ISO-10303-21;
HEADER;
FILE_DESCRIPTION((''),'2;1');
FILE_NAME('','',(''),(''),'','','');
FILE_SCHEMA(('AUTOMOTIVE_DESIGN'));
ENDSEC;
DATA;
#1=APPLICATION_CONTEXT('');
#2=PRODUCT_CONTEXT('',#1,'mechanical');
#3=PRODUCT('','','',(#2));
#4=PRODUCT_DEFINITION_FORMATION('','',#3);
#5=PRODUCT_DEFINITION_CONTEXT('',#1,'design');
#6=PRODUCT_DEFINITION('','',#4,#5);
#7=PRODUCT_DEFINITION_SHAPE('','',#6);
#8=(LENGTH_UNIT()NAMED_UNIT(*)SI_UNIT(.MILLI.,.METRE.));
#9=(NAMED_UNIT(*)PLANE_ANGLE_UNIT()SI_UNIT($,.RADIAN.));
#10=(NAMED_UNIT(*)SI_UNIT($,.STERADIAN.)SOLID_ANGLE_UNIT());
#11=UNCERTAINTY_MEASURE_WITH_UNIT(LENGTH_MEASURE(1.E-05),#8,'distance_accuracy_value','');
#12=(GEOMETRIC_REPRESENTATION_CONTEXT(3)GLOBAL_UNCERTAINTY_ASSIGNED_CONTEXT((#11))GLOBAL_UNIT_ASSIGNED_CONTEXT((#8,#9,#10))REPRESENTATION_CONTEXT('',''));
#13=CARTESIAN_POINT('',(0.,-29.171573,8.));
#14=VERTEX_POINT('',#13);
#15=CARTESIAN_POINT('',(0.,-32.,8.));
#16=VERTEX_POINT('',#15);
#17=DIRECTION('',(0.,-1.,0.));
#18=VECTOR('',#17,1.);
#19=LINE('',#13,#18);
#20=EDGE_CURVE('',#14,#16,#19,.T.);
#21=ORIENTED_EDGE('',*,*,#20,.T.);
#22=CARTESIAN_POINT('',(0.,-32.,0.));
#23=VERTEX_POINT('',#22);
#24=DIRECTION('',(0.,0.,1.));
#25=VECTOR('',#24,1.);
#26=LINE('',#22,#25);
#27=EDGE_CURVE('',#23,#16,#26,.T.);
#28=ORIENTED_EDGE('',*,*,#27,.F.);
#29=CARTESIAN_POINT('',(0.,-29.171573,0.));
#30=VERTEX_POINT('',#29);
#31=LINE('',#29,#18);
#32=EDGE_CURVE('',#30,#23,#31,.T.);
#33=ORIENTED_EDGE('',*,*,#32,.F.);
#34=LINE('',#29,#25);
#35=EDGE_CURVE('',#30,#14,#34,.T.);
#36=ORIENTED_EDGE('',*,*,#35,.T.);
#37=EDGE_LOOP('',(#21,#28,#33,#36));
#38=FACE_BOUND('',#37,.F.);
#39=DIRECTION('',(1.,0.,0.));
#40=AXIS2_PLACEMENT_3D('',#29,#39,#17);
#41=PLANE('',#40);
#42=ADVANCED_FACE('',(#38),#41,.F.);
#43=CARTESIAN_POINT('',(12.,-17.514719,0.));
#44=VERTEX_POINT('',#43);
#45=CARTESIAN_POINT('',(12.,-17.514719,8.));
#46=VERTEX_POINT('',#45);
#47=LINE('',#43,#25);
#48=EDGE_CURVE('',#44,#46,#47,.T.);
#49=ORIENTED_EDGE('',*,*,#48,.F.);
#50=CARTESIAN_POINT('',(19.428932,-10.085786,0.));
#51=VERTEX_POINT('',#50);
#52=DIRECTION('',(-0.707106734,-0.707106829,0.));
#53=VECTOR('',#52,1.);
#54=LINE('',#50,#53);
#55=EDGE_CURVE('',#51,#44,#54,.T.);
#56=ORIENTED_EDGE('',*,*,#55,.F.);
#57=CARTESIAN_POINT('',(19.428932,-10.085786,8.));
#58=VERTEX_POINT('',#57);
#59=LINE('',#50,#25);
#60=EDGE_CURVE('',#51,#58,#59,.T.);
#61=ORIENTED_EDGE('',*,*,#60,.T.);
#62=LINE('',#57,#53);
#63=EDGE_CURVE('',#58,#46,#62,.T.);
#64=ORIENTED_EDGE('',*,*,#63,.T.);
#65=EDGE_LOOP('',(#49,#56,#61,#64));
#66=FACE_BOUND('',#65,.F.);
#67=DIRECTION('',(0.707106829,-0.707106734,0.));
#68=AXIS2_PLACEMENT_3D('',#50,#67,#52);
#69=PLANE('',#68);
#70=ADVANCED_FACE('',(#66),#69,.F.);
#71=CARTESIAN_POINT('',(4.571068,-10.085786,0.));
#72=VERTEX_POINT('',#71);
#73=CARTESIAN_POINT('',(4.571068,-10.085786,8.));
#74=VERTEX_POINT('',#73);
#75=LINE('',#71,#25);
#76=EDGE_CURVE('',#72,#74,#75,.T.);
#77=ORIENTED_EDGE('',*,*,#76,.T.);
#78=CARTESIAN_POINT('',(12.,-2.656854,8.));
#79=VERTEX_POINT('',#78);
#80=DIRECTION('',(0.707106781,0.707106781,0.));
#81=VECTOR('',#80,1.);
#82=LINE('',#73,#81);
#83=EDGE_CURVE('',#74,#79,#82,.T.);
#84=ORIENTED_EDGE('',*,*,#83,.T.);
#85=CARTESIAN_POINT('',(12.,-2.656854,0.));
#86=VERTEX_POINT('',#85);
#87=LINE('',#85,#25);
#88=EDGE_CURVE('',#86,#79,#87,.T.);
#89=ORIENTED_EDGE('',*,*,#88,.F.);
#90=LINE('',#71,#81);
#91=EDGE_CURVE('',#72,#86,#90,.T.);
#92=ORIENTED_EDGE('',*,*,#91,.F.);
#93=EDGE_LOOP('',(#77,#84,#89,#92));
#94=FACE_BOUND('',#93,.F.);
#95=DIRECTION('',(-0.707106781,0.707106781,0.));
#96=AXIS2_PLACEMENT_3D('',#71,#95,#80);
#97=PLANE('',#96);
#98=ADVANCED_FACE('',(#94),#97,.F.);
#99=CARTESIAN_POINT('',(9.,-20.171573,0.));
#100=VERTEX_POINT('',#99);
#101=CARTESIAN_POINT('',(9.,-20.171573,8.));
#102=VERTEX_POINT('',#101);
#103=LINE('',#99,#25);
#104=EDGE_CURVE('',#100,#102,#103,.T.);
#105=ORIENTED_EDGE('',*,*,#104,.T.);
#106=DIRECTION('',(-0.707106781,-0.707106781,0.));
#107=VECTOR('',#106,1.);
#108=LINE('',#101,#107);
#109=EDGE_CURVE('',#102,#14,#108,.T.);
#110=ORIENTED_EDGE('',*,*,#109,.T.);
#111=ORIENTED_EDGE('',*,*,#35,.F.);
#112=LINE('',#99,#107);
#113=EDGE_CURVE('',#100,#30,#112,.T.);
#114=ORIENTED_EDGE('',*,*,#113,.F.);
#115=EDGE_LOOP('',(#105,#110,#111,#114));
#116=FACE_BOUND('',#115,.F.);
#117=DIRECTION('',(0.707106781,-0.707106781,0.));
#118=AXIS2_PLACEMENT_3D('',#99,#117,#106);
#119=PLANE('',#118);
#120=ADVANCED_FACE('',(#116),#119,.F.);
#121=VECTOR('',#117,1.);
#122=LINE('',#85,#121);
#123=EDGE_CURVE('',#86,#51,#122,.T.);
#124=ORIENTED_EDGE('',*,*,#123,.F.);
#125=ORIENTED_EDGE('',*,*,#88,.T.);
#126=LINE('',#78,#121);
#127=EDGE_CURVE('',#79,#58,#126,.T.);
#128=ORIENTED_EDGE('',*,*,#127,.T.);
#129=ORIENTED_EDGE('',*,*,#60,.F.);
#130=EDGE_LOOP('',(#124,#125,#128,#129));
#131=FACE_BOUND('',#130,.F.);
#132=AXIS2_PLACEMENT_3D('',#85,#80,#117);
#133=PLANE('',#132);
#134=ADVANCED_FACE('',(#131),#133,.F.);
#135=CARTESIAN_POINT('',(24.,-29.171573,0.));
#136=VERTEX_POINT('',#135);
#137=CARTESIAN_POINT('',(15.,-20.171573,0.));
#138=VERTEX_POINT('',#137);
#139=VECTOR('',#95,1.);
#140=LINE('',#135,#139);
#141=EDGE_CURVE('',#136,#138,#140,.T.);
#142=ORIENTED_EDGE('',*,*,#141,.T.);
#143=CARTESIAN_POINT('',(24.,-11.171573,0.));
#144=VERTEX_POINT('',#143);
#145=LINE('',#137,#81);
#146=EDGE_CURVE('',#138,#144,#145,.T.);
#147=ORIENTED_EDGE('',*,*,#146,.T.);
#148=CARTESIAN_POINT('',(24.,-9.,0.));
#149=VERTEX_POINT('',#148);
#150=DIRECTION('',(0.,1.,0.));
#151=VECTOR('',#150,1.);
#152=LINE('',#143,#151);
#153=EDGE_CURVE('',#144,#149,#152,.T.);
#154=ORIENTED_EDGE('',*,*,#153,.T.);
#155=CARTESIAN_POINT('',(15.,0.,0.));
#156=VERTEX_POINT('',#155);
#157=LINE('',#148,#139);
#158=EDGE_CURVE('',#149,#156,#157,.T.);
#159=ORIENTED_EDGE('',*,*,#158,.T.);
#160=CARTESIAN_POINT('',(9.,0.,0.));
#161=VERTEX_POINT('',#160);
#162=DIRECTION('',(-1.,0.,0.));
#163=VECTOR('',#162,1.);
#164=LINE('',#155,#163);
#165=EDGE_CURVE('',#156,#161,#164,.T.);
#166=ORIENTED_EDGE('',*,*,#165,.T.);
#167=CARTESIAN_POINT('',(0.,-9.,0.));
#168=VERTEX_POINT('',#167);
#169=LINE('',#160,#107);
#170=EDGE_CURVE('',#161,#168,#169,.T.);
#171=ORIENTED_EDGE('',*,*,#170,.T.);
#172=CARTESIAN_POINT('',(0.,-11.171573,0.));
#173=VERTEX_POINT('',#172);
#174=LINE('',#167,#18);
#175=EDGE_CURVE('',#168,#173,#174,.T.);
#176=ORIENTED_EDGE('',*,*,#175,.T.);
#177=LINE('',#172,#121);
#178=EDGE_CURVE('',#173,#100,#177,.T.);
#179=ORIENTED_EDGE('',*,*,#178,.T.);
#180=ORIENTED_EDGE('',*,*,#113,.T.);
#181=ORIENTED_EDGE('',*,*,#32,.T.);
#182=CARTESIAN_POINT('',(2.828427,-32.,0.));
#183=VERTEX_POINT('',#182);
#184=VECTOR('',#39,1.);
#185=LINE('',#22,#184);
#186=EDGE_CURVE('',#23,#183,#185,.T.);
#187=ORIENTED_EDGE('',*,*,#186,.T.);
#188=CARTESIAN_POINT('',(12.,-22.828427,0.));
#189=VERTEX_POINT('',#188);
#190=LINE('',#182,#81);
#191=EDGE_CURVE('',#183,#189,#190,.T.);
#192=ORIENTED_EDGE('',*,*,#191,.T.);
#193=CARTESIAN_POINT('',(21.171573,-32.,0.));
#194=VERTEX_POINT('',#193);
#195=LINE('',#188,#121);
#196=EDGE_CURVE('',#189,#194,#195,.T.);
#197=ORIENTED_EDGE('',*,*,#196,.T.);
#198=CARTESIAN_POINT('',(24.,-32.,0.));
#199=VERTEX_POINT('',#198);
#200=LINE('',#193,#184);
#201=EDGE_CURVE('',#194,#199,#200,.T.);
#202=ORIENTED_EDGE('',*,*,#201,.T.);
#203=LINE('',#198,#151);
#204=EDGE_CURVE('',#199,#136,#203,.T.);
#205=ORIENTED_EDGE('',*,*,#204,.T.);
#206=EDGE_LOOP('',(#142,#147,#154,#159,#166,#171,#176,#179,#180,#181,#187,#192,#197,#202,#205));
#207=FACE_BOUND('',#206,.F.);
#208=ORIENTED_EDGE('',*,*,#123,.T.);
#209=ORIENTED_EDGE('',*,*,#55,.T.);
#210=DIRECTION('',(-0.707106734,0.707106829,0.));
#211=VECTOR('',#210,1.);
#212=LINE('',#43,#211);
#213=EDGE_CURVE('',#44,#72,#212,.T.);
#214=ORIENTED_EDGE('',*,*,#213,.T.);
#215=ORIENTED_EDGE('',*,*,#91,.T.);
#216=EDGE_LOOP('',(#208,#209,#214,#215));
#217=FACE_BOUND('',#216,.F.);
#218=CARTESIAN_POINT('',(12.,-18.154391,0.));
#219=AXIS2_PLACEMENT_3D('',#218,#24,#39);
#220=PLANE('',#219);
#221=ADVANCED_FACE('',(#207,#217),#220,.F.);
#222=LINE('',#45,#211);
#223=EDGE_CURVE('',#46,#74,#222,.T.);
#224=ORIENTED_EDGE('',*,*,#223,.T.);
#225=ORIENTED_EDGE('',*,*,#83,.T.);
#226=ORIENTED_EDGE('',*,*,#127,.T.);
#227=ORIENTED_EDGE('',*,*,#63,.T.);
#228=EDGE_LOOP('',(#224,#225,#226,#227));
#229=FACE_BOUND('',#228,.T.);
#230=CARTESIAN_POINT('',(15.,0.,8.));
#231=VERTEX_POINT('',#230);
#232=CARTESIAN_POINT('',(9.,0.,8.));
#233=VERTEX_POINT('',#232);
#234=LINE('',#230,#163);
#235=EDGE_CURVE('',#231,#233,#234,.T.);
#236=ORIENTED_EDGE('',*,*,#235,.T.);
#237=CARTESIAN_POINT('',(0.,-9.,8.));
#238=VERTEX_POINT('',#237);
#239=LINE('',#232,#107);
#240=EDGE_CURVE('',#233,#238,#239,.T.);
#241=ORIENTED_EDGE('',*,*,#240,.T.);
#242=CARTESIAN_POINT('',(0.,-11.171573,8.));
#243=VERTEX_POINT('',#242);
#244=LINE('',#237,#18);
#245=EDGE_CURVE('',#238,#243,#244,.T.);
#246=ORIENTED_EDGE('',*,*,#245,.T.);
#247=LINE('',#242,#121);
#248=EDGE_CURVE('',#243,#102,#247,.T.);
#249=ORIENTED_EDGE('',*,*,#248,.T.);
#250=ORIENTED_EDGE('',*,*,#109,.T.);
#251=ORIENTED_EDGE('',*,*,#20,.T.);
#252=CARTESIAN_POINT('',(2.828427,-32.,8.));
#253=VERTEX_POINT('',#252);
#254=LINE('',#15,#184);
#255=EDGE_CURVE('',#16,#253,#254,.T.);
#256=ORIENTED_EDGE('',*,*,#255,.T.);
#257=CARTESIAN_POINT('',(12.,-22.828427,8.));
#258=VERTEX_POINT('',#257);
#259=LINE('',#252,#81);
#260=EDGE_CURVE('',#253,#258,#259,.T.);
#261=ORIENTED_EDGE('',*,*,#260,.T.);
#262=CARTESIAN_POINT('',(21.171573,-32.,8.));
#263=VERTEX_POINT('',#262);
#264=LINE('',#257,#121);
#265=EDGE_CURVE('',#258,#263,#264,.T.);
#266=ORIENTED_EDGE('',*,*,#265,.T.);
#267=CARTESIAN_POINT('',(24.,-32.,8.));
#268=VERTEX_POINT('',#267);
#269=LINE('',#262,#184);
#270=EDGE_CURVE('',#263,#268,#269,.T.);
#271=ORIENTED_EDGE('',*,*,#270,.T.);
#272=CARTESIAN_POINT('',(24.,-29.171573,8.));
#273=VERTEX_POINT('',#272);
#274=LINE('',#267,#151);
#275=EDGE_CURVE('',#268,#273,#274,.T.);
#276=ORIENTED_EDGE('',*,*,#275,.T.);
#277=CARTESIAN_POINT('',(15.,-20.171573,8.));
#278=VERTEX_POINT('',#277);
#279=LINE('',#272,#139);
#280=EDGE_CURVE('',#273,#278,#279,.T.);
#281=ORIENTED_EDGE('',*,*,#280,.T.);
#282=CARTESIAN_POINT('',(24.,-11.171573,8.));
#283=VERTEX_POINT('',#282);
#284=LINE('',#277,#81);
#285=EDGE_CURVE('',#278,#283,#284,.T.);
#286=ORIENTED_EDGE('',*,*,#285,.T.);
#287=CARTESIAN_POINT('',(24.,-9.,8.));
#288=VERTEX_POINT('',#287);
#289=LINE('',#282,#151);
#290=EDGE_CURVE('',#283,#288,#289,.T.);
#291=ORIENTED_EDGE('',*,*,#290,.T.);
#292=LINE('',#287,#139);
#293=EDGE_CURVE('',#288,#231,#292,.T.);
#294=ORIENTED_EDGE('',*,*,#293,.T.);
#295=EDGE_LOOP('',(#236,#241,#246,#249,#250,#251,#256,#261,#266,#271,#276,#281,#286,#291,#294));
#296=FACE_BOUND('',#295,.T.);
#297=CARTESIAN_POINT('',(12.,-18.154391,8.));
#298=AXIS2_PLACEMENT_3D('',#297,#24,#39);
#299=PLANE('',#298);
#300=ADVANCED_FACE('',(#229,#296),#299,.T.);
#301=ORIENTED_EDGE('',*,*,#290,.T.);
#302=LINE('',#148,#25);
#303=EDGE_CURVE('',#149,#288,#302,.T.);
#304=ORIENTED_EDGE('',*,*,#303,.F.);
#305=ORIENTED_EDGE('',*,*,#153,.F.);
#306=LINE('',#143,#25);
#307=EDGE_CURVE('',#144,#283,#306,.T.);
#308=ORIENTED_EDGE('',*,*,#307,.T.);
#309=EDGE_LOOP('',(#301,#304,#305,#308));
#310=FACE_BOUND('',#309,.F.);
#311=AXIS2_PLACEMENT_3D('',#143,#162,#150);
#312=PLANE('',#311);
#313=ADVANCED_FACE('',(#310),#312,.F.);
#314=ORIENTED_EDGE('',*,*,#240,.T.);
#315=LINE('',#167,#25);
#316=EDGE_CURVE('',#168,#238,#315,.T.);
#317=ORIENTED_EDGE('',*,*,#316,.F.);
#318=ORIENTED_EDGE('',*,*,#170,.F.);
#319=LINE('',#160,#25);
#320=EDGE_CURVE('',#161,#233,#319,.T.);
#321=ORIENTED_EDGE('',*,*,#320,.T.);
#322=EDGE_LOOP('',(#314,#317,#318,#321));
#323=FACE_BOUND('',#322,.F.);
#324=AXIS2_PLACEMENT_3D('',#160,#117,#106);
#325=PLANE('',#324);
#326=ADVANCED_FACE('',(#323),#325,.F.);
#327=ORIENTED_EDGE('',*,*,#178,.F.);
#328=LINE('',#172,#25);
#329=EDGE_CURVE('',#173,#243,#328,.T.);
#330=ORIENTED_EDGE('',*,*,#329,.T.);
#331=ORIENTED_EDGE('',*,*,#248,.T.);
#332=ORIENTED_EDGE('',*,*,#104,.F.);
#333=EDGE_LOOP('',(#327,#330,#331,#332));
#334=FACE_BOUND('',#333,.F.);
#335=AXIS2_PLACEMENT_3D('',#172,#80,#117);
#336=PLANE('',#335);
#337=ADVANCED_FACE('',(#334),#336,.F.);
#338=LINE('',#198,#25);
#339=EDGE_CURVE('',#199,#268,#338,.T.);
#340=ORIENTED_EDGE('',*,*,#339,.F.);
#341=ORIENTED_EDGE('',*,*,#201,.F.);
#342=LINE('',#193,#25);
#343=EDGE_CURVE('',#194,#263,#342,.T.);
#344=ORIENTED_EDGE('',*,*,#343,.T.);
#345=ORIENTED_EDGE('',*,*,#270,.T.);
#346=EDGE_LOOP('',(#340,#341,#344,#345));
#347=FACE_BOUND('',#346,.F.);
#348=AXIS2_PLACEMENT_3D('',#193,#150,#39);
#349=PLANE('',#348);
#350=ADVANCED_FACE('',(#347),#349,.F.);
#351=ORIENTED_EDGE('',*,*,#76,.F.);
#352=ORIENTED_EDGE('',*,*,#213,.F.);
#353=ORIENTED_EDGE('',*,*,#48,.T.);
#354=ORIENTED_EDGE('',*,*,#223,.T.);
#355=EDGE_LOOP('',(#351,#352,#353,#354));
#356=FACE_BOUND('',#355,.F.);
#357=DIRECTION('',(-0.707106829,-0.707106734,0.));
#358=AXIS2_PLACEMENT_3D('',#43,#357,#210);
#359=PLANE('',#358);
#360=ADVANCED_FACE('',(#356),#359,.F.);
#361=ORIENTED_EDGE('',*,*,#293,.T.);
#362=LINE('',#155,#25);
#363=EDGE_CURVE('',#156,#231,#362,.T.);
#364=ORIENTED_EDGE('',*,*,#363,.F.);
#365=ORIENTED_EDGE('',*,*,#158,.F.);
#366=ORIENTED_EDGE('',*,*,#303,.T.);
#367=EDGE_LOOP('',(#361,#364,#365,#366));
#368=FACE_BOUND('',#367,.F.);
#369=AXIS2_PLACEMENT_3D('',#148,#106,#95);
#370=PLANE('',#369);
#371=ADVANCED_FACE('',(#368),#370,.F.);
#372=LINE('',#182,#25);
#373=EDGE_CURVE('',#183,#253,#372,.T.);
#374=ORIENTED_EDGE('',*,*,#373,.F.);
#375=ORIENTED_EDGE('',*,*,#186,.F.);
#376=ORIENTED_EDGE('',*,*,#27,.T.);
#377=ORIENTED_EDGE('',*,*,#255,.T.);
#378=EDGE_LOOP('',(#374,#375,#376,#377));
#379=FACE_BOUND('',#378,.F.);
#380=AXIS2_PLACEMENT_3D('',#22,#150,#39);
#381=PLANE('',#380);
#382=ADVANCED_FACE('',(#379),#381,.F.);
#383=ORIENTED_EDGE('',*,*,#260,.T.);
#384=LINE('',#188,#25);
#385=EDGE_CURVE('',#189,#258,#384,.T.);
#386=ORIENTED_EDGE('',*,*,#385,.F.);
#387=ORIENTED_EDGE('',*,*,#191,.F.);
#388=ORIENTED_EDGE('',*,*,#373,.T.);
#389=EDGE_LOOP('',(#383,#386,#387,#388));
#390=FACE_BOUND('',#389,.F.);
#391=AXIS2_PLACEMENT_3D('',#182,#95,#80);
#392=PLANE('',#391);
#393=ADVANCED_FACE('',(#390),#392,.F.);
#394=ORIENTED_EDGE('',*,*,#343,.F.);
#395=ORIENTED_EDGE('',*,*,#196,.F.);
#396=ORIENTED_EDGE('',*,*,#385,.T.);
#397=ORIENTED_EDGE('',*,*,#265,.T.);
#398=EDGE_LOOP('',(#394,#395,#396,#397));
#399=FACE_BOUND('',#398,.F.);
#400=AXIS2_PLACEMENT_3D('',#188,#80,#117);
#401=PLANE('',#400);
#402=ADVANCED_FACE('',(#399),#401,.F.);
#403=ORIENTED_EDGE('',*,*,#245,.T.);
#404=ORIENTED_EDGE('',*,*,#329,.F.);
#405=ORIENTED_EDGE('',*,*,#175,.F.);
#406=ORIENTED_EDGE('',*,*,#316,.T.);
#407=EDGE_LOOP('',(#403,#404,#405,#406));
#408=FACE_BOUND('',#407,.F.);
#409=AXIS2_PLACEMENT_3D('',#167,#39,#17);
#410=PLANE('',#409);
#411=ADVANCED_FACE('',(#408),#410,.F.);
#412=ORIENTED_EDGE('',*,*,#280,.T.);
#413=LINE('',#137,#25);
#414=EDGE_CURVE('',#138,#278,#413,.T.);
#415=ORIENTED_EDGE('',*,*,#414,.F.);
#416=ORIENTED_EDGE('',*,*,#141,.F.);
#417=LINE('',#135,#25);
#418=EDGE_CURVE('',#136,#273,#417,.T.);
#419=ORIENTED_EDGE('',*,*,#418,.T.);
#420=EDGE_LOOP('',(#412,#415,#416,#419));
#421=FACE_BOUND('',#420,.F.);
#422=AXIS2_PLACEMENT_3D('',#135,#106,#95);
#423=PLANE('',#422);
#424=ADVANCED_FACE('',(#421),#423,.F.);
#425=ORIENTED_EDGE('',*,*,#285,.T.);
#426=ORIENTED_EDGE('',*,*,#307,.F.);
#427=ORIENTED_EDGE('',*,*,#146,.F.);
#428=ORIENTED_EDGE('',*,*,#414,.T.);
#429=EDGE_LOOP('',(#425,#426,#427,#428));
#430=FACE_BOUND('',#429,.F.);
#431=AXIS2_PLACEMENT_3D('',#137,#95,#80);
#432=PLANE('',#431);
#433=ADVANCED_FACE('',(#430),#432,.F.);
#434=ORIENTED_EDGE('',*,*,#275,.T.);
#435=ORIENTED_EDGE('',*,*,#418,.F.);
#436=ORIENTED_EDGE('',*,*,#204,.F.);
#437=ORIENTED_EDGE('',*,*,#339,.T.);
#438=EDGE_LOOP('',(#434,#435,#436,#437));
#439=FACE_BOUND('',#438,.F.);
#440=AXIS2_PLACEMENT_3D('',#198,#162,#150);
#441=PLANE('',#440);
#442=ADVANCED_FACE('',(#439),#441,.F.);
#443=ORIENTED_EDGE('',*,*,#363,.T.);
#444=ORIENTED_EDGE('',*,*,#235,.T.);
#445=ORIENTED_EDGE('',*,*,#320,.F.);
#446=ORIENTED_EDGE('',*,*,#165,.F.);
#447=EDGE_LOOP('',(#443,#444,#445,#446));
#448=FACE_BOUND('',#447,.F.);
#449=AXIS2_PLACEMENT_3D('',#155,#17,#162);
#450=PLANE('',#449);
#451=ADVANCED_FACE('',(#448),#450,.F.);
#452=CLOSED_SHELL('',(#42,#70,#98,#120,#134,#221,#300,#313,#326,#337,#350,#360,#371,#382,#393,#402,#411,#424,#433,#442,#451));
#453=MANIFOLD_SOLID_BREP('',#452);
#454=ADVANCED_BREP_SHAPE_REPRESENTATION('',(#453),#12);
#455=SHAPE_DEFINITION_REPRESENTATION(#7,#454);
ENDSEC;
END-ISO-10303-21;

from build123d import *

# Parameters (mm, degrees)
F1_DEPTH = 8


with BuildPart() as f1:
    # F0 (on Top) → F1 (new body)
    with BuildSketch(Plane.XY):
        Polygon((15, 0), (9, 0), (0, -9), (0, -11.171573), (9, -20.171573), (0, -29.171573), (0, -32), (2.828427, -32), (12, -22.828427), (21.171573, -32), (24, -32), (24, -29.171573), (15, -20.171573), (24, -11.171573), (24, -9), align=None)
        Polygon((19.428932, -10.085786), (12, -17.514719), (4.571068, -10.085786), (12, -2.656854), align=None, mode=Mode.SUBTRACT)
    extrude(amount=F1_DEPTH)


solid = f1.part
